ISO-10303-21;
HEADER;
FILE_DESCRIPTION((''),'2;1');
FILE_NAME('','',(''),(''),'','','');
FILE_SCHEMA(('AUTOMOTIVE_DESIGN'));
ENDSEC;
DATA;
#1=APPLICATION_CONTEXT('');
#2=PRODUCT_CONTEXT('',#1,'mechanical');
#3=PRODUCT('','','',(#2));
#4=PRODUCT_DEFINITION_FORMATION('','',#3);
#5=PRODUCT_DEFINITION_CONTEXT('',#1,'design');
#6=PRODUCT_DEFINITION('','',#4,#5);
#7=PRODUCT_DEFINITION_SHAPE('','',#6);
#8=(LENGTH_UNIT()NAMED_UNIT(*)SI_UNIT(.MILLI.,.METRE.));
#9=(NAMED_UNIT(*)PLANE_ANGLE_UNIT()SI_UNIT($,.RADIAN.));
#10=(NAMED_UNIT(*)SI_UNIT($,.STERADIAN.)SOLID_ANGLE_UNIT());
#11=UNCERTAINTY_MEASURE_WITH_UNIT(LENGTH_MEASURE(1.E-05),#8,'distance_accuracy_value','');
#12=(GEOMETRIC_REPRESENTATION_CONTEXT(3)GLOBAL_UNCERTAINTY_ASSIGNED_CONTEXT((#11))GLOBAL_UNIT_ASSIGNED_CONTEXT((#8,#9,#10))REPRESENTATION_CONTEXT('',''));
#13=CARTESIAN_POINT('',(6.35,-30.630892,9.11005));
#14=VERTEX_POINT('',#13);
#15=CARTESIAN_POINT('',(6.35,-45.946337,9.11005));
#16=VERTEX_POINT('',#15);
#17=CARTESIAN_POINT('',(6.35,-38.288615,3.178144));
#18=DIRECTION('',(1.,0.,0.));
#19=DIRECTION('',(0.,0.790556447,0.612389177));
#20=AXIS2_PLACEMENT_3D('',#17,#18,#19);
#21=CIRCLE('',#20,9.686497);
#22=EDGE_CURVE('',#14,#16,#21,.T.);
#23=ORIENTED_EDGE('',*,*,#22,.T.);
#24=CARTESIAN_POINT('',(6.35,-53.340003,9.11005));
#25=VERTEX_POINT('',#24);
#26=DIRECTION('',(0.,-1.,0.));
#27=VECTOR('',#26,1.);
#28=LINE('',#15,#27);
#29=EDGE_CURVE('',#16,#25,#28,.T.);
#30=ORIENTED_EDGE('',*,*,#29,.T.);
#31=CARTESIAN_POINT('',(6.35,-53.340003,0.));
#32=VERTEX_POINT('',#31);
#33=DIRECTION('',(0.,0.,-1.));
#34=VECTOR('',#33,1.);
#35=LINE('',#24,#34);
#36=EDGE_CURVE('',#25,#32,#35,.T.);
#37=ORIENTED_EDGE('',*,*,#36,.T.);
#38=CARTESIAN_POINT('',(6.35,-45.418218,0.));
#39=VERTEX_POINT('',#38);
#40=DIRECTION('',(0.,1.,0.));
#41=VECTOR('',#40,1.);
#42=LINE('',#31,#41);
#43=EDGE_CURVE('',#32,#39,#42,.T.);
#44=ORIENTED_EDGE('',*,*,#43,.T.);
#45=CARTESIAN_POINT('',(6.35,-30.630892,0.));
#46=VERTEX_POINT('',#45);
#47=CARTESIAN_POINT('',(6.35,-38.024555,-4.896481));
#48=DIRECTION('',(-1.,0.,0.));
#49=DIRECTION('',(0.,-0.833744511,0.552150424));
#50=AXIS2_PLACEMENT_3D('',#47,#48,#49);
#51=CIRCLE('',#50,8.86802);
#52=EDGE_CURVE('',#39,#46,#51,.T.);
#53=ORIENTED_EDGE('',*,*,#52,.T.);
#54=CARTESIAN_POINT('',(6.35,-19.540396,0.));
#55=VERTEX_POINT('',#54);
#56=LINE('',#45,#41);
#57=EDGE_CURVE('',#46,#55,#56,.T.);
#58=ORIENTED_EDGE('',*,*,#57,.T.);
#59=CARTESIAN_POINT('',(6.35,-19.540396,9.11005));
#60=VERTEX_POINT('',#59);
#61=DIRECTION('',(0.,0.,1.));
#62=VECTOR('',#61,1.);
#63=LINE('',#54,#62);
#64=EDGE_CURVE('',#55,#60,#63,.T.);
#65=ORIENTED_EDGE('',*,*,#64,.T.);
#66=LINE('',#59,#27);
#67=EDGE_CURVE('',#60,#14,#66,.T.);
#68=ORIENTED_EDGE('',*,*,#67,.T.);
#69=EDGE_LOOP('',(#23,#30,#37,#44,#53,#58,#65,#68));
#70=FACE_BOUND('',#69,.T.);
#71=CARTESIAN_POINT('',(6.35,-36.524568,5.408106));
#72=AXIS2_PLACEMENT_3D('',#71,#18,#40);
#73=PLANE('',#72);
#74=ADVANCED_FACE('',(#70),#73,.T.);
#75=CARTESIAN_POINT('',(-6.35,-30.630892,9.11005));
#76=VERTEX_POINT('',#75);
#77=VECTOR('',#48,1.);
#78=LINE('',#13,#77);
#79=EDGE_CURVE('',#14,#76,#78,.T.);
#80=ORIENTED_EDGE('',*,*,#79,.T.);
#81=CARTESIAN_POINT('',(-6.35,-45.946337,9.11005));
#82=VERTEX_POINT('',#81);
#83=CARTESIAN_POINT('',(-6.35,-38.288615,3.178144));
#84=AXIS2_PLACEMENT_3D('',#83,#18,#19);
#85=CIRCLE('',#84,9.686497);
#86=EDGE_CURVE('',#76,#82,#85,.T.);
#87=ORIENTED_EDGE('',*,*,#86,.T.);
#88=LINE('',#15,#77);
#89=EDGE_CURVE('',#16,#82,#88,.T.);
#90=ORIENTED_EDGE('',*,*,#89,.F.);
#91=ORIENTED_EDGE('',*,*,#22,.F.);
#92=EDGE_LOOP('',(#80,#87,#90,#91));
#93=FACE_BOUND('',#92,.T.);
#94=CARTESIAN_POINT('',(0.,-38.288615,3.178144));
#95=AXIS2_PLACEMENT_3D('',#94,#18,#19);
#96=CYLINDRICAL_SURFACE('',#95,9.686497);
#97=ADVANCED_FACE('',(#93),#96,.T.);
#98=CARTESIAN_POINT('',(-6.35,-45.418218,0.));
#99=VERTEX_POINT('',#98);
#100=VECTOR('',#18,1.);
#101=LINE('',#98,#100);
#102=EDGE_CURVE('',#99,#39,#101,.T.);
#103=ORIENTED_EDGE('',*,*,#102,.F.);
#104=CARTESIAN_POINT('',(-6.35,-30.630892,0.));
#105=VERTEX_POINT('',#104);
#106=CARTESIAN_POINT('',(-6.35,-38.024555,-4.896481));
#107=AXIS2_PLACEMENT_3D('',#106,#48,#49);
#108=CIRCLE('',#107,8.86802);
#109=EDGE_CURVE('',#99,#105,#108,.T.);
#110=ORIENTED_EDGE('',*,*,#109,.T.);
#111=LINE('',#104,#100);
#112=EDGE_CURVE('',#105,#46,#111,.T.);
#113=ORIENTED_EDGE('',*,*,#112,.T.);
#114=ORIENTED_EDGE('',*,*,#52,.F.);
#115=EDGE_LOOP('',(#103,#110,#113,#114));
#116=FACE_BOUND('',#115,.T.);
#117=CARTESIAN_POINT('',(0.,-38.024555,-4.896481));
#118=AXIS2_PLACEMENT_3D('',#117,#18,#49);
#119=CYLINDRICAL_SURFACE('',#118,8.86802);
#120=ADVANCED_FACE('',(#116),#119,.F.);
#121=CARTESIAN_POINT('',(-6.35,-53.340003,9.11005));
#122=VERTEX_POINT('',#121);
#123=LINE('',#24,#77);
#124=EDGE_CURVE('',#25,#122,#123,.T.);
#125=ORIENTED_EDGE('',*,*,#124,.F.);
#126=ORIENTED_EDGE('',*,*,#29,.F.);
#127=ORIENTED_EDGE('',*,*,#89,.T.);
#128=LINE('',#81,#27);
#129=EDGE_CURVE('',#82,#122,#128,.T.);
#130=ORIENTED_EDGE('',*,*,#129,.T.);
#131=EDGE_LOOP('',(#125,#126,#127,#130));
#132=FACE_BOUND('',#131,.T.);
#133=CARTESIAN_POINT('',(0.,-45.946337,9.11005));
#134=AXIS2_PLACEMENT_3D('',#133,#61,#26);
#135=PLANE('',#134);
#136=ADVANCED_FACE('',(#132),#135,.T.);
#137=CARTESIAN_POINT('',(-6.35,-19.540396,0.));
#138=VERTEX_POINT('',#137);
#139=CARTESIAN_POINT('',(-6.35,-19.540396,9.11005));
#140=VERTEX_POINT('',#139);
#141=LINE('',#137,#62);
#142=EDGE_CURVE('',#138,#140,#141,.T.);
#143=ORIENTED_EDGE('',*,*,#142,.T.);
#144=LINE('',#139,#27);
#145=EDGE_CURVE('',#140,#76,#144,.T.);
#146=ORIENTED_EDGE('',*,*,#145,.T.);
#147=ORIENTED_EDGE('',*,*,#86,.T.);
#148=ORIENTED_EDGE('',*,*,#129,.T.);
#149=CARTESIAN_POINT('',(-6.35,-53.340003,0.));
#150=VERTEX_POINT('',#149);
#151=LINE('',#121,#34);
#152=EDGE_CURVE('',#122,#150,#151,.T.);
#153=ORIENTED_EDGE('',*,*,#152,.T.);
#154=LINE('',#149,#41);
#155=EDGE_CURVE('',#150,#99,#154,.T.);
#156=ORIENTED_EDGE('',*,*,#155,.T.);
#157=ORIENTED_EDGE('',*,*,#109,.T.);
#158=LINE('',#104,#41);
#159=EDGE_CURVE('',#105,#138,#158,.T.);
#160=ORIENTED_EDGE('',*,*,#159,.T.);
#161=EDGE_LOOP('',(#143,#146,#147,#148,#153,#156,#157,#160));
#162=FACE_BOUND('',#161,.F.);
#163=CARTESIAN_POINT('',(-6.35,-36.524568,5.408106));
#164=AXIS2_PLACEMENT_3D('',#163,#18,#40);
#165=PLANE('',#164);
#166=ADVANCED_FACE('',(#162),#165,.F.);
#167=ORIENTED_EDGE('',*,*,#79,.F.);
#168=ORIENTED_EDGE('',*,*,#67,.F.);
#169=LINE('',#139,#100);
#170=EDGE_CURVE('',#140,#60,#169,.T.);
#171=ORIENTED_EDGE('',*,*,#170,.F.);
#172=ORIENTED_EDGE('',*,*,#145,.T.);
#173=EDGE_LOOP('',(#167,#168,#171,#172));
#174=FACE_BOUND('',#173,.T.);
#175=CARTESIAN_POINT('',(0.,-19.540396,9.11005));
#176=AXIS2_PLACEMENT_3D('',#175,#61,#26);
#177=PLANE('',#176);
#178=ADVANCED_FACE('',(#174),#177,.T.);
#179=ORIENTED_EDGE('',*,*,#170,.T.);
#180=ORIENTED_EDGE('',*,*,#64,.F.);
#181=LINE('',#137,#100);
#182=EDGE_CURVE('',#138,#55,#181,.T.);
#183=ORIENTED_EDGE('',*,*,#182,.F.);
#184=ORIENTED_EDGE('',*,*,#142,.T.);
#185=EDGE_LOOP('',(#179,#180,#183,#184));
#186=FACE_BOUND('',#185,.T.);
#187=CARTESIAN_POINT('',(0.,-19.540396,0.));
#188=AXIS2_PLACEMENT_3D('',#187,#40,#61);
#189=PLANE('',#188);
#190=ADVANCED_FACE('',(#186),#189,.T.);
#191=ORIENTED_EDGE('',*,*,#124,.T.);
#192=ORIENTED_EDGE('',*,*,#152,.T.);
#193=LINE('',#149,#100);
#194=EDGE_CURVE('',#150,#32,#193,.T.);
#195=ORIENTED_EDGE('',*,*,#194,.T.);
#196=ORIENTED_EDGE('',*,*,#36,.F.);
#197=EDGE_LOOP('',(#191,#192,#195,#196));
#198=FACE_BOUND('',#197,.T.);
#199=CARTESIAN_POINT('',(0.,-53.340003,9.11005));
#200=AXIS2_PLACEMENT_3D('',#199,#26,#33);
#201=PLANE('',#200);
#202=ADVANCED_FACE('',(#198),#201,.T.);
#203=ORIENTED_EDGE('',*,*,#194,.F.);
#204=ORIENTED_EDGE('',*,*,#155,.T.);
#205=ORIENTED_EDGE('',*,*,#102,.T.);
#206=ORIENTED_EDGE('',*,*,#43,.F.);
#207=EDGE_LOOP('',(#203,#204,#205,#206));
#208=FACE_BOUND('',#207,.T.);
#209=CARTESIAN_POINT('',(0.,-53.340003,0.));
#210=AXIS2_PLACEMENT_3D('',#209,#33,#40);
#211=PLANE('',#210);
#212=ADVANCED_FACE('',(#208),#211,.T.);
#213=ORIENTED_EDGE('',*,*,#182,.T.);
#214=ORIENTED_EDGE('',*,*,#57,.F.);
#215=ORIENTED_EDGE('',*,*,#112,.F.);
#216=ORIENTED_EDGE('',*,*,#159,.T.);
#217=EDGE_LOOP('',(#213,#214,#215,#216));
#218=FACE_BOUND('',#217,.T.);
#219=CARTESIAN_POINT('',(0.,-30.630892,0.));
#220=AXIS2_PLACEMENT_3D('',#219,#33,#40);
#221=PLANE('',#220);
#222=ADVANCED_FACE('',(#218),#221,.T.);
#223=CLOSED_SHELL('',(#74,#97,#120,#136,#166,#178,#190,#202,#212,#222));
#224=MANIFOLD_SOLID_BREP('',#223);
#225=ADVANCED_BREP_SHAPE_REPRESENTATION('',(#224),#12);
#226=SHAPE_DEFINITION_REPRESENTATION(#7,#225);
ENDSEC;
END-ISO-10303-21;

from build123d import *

# Parameters (mm, degrees)
F1_DEPTH = 6.35


with BuildPart() as f1:
    # F0 (on Right) → F1 (new body, symmetric)
    with BuildSketch(Plane.YZ):
        with BuildLine():
            Line((-53.340003, 9.11005), (-53.340003, 0))
            Line((-53.340003, 0), (-45.418218, 0))
            ThreePointArc((-45.418218, 0), (-38.024555, 3.971539), (-30.630892, 0))
            Line((-30.630892, 0), (-19.540396, 0))
            Line((-19.540396, 0), (-19.540396, 9.11005))
            Line((-19.540396, 9.11005), (-30.630892, 9.11005))
            ThreePointArc((-30.630892, 9.11005), (-38.288615, 12.864641), (-45.946337, 9.11005))
            Line((-45.946337, 9.11005), (-53.340003, 9.11005))
        make_face()
    extrude(amount=F1_DEPTH, both=True)


solid = f1.part
